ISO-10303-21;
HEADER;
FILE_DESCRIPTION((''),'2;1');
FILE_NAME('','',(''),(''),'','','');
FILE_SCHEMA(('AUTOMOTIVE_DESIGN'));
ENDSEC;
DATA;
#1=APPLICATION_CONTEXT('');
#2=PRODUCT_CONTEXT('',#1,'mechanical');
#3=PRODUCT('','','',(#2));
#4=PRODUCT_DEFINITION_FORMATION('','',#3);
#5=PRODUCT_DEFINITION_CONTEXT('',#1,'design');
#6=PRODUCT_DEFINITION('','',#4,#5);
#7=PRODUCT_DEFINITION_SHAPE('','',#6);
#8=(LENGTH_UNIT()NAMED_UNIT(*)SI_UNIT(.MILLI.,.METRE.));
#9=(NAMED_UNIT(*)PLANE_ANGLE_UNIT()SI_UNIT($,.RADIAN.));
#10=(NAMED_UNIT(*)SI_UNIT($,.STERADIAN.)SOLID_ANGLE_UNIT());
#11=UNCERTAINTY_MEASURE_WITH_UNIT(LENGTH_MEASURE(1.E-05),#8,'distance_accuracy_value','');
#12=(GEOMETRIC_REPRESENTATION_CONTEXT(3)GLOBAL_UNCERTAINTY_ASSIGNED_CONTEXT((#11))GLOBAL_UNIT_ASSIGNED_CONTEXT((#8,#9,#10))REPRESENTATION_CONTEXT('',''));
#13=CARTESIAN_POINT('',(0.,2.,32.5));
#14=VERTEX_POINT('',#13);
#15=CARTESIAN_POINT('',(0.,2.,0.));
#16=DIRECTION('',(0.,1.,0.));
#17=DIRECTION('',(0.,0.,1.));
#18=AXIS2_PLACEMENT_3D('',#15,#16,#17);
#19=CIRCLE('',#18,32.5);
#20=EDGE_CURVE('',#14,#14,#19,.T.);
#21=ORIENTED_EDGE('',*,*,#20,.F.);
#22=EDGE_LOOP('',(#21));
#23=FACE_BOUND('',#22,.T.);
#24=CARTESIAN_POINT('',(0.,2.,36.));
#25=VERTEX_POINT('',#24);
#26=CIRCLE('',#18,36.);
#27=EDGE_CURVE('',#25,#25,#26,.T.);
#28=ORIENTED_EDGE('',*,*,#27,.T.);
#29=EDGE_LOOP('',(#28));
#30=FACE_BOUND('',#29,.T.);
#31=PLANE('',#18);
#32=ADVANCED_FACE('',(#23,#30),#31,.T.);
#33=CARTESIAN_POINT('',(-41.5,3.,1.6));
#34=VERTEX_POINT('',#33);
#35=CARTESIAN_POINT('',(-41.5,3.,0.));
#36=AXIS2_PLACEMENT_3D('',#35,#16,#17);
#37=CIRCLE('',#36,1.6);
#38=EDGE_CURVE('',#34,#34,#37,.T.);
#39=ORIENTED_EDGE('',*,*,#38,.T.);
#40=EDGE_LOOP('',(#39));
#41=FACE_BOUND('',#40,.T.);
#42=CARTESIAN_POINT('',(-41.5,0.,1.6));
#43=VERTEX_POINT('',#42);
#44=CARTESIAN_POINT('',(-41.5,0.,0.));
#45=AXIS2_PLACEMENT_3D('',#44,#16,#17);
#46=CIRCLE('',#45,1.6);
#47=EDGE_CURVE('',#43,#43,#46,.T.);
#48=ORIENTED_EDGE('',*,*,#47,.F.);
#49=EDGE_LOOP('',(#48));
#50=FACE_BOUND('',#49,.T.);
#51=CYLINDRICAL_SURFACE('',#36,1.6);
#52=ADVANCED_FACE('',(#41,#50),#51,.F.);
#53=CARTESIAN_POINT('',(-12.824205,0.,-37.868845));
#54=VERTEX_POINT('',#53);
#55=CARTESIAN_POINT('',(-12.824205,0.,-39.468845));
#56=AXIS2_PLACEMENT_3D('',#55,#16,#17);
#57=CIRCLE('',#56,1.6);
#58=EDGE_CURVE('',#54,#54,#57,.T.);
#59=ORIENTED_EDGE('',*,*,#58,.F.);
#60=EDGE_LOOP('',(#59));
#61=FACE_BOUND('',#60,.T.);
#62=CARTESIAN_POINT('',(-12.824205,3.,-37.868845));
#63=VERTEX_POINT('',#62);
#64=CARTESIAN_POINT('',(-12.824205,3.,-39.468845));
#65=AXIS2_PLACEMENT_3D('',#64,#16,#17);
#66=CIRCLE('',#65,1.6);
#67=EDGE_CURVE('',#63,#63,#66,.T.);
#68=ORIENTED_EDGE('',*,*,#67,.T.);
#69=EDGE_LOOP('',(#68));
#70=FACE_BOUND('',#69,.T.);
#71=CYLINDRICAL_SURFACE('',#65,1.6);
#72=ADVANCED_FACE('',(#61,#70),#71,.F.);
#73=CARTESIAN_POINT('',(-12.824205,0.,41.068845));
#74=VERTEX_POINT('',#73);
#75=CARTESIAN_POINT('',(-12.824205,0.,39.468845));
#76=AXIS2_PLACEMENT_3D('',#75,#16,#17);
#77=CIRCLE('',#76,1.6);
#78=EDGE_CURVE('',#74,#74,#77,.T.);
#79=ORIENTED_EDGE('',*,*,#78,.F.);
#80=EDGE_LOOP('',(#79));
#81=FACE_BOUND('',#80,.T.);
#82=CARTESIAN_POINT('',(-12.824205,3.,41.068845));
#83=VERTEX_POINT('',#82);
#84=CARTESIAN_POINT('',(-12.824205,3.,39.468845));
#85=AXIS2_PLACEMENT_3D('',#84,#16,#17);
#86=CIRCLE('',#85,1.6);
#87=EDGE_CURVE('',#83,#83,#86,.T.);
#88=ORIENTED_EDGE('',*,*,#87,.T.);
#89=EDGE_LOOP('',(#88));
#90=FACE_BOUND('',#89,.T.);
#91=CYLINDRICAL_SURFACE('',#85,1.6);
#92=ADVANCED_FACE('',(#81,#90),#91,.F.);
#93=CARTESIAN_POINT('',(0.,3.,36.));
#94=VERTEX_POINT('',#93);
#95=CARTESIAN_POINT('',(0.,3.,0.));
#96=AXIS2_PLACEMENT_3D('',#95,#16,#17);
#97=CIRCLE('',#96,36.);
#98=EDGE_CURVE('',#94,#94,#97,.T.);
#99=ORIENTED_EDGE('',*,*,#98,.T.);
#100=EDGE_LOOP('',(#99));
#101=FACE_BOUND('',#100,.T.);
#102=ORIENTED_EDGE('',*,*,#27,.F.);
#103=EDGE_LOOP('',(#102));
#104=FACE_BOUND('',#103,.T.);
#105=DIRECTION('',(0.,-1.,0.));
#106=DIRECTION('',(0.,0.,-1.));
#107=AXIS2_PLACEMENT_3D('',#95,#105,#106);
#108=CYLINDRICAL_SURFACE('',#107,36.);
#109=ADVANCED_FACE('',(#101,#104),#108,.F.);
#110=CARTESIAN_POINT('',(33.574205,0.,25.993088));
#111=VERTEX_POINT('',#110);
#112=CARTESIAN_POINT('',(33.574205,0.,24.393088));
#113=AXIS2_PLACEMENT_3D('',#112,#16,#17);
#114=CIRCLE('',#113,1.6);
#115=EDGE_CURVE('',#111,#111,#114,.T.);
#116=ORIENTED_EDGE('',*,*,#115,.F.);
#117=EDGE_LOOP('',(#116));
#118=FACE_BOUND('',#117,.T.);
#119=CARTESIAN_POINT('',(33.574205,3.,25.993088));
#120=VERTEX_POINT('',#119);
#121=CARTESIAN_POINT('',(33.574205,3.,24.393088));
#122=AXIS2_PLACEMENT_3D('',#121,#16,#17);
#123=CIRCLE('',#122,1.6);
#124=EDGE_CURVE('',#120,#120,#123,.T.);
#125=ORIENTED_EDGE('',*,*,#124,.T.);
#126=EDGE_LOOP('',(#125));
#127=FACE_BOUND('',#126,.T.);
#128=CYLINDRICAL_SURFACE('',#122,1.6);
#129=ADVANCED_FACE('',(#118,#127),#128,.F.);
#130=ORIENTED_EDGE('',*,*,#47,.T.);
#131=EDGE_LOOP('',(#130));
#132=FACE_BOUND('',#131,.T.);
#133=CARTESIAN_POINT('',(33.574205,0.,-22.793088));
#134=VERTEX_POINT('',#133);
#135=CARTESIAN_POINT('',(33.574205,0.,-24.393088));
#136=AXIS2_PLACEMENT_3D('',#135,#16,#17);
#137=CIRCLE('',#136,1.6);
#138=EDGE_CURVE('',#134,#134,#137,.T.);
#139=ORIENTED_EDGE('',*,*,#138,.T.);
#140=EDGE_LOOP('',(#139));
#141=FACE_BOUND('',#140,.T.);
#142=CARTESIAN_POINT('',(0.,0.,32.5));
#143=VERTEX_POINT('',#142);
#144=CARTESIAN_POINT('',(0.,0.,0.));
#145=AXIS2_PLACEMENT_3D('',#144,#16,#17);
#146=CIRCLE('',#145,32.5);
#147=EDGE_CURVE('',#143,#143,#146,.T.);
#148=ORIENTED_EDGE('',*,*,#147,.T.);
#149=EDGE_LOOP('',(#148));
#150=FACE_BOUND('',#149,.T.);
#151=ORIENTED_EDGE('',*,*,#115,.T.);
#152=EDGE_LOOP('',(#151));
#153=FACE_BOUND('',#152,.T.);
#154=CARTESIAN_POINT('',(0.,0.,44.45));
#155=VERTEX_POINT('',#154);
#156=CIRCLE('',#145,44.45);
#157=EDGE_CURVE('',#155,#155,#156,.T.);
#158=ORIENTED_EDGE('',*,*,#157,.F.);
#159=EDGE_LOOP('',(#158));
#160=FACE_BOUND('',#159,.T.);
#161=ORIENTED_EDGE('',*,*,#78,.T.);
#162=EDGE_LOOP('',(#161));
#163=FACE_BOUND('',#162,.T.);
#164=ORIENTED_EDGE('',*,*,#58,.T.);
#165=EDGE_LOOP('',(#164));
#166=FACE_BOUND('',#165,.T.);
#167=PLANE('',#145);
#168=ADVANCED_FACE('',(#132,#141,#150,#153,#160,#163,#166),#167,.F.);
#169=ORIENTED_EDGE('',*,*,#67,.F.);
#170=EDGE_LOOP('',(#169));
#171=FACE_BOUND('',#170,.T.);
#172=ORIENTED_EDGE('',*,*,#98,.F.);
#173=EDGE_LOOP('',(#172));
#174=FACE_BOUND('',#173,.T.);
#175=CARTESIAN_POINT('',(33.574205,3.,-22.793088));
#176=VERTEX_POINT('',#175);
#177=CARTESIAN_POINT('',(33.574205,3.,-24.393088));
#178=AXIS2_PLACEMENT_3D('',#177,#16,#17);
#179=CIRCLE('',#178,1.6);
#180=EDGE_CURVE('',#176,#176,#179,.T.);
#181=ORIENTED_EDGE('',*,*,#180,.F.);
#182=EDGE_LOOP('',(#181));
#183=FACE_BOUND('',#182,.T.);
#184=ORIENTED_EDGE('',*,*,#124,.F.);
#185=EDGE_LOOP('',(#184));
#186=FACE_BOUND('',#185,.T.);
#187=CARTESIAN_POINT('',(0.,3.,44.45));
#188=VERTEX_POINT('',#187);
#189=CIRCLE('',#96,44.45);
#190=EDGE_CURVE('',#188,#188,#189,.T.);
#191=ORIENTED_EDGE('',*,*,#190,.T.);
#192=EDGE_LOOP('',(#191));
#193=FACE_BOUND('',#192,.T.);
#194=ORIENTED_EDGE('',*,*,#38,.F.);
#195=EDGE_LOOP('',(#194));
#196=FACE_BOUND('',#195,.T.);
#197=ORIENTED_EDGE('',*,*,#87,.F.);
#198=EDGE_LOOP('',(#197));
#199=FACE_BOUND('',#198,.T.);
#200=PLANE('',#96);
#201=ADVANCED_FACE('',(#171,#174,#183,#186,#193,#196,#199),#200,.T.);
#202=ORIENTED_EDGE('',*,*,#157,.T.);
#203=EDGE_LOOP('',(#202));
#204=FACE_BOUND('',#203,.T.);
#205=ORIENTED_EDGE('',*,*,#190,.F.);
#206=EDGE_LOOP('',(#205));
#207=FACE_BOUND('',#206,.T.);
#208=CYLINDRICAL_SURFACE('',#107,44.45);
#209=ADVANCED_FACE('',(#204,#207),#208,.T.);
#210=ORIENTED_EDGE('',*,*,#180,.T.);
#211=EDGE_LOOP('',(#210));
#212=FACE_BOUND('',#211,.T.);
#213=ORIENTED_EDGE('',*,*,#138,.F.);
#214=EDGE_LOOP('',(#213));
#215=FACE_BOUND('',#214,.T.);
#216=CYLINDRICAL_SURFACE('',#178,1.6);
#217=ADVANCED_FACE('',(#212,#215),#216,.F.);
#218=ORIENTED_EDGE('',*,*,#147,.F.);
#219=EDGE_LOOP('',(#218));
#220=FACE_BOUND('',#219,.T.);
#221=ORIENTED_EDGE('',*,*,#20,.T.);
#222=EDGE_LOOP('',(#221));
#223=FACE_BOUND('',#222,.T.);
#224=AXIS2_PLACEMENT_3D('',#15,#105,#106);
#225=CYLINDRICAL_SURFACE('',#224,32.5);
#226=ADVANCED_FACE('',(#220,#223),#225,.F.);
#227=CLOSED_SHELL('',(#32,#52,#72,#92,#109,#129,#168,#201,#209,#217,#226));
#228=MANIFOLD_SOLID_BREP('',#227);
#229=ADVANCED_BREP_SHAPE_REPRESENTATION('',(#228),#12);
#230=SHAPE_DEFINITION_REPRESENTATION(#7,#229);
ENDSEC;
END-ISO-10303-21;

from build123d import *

# Parameters (mm, degrees)
SKETCH1_R            = 44.45
SKETCH1_R_2          = 36
BOSS_EXTRUDE1_DEPTH  = 3
SKETCH1_3_R          = 36
SKETCH1_3_R_2        = 32.5
BOSS_EXTRUDE2_DEPTH  = 2
M3_CLEARANCE_HOLE1_D = 3.2
CIRPATTERN1_COUNT    = 5


with BuildPart() as part:
    # Sketch1 → Boss-Extrude1 (new body)
    with BuildSketch(Plane(origin=(0, 0, 0), x_dir=(1, 0, 0), z_dir=(0, 1, 0))):
        Circle(SKETCH1_R)
        Circle(SKETCH1_R_2, mode=Mode.SUBTRACT)
    extrude(amount=BOSS_EXTRUDE1_DEPTH)

    # Sketch1<3> → Boss-Extrude2 (add)
    with BuildSketch(Plane(origin=(0, 0, 0), x_dir=(1, 0, 0), z_dir=(0, 1, 0))):
        Circle(SKETCH1_3_R)
        Circle(SKETCH1_3_R_2, mode=Mode.SUBTRACT)
    extrude(amount=BOSS_EXTRUDE2_DEPTH)

    # M3 Clearance Hole1 (through all)
    with Locations(Plane(origin=(0, 3, 0), x_dir=(1, 0, 0), z_dir=(0, 1, 0))):
        with Locations((-41.5, 0)):
            m3_clearance_hole1 = Hole(M3_CLEARANCE_HOLE1_D / 2)

    # CirPattern1: M3 Clearance Hole1 ×5 about axis
    cirpattern1_axis = Axis((0, 3, 0), (0, -1, 0))
    for i in range(1, CIRPATTERN1_COUNT):
        add(m3_clearance_hole1.rotate(cirpattern1_axis, i * 360 / CIRPATTERN1_COUNT), mode=Mode.SUBTRACT)


solid = part.part
